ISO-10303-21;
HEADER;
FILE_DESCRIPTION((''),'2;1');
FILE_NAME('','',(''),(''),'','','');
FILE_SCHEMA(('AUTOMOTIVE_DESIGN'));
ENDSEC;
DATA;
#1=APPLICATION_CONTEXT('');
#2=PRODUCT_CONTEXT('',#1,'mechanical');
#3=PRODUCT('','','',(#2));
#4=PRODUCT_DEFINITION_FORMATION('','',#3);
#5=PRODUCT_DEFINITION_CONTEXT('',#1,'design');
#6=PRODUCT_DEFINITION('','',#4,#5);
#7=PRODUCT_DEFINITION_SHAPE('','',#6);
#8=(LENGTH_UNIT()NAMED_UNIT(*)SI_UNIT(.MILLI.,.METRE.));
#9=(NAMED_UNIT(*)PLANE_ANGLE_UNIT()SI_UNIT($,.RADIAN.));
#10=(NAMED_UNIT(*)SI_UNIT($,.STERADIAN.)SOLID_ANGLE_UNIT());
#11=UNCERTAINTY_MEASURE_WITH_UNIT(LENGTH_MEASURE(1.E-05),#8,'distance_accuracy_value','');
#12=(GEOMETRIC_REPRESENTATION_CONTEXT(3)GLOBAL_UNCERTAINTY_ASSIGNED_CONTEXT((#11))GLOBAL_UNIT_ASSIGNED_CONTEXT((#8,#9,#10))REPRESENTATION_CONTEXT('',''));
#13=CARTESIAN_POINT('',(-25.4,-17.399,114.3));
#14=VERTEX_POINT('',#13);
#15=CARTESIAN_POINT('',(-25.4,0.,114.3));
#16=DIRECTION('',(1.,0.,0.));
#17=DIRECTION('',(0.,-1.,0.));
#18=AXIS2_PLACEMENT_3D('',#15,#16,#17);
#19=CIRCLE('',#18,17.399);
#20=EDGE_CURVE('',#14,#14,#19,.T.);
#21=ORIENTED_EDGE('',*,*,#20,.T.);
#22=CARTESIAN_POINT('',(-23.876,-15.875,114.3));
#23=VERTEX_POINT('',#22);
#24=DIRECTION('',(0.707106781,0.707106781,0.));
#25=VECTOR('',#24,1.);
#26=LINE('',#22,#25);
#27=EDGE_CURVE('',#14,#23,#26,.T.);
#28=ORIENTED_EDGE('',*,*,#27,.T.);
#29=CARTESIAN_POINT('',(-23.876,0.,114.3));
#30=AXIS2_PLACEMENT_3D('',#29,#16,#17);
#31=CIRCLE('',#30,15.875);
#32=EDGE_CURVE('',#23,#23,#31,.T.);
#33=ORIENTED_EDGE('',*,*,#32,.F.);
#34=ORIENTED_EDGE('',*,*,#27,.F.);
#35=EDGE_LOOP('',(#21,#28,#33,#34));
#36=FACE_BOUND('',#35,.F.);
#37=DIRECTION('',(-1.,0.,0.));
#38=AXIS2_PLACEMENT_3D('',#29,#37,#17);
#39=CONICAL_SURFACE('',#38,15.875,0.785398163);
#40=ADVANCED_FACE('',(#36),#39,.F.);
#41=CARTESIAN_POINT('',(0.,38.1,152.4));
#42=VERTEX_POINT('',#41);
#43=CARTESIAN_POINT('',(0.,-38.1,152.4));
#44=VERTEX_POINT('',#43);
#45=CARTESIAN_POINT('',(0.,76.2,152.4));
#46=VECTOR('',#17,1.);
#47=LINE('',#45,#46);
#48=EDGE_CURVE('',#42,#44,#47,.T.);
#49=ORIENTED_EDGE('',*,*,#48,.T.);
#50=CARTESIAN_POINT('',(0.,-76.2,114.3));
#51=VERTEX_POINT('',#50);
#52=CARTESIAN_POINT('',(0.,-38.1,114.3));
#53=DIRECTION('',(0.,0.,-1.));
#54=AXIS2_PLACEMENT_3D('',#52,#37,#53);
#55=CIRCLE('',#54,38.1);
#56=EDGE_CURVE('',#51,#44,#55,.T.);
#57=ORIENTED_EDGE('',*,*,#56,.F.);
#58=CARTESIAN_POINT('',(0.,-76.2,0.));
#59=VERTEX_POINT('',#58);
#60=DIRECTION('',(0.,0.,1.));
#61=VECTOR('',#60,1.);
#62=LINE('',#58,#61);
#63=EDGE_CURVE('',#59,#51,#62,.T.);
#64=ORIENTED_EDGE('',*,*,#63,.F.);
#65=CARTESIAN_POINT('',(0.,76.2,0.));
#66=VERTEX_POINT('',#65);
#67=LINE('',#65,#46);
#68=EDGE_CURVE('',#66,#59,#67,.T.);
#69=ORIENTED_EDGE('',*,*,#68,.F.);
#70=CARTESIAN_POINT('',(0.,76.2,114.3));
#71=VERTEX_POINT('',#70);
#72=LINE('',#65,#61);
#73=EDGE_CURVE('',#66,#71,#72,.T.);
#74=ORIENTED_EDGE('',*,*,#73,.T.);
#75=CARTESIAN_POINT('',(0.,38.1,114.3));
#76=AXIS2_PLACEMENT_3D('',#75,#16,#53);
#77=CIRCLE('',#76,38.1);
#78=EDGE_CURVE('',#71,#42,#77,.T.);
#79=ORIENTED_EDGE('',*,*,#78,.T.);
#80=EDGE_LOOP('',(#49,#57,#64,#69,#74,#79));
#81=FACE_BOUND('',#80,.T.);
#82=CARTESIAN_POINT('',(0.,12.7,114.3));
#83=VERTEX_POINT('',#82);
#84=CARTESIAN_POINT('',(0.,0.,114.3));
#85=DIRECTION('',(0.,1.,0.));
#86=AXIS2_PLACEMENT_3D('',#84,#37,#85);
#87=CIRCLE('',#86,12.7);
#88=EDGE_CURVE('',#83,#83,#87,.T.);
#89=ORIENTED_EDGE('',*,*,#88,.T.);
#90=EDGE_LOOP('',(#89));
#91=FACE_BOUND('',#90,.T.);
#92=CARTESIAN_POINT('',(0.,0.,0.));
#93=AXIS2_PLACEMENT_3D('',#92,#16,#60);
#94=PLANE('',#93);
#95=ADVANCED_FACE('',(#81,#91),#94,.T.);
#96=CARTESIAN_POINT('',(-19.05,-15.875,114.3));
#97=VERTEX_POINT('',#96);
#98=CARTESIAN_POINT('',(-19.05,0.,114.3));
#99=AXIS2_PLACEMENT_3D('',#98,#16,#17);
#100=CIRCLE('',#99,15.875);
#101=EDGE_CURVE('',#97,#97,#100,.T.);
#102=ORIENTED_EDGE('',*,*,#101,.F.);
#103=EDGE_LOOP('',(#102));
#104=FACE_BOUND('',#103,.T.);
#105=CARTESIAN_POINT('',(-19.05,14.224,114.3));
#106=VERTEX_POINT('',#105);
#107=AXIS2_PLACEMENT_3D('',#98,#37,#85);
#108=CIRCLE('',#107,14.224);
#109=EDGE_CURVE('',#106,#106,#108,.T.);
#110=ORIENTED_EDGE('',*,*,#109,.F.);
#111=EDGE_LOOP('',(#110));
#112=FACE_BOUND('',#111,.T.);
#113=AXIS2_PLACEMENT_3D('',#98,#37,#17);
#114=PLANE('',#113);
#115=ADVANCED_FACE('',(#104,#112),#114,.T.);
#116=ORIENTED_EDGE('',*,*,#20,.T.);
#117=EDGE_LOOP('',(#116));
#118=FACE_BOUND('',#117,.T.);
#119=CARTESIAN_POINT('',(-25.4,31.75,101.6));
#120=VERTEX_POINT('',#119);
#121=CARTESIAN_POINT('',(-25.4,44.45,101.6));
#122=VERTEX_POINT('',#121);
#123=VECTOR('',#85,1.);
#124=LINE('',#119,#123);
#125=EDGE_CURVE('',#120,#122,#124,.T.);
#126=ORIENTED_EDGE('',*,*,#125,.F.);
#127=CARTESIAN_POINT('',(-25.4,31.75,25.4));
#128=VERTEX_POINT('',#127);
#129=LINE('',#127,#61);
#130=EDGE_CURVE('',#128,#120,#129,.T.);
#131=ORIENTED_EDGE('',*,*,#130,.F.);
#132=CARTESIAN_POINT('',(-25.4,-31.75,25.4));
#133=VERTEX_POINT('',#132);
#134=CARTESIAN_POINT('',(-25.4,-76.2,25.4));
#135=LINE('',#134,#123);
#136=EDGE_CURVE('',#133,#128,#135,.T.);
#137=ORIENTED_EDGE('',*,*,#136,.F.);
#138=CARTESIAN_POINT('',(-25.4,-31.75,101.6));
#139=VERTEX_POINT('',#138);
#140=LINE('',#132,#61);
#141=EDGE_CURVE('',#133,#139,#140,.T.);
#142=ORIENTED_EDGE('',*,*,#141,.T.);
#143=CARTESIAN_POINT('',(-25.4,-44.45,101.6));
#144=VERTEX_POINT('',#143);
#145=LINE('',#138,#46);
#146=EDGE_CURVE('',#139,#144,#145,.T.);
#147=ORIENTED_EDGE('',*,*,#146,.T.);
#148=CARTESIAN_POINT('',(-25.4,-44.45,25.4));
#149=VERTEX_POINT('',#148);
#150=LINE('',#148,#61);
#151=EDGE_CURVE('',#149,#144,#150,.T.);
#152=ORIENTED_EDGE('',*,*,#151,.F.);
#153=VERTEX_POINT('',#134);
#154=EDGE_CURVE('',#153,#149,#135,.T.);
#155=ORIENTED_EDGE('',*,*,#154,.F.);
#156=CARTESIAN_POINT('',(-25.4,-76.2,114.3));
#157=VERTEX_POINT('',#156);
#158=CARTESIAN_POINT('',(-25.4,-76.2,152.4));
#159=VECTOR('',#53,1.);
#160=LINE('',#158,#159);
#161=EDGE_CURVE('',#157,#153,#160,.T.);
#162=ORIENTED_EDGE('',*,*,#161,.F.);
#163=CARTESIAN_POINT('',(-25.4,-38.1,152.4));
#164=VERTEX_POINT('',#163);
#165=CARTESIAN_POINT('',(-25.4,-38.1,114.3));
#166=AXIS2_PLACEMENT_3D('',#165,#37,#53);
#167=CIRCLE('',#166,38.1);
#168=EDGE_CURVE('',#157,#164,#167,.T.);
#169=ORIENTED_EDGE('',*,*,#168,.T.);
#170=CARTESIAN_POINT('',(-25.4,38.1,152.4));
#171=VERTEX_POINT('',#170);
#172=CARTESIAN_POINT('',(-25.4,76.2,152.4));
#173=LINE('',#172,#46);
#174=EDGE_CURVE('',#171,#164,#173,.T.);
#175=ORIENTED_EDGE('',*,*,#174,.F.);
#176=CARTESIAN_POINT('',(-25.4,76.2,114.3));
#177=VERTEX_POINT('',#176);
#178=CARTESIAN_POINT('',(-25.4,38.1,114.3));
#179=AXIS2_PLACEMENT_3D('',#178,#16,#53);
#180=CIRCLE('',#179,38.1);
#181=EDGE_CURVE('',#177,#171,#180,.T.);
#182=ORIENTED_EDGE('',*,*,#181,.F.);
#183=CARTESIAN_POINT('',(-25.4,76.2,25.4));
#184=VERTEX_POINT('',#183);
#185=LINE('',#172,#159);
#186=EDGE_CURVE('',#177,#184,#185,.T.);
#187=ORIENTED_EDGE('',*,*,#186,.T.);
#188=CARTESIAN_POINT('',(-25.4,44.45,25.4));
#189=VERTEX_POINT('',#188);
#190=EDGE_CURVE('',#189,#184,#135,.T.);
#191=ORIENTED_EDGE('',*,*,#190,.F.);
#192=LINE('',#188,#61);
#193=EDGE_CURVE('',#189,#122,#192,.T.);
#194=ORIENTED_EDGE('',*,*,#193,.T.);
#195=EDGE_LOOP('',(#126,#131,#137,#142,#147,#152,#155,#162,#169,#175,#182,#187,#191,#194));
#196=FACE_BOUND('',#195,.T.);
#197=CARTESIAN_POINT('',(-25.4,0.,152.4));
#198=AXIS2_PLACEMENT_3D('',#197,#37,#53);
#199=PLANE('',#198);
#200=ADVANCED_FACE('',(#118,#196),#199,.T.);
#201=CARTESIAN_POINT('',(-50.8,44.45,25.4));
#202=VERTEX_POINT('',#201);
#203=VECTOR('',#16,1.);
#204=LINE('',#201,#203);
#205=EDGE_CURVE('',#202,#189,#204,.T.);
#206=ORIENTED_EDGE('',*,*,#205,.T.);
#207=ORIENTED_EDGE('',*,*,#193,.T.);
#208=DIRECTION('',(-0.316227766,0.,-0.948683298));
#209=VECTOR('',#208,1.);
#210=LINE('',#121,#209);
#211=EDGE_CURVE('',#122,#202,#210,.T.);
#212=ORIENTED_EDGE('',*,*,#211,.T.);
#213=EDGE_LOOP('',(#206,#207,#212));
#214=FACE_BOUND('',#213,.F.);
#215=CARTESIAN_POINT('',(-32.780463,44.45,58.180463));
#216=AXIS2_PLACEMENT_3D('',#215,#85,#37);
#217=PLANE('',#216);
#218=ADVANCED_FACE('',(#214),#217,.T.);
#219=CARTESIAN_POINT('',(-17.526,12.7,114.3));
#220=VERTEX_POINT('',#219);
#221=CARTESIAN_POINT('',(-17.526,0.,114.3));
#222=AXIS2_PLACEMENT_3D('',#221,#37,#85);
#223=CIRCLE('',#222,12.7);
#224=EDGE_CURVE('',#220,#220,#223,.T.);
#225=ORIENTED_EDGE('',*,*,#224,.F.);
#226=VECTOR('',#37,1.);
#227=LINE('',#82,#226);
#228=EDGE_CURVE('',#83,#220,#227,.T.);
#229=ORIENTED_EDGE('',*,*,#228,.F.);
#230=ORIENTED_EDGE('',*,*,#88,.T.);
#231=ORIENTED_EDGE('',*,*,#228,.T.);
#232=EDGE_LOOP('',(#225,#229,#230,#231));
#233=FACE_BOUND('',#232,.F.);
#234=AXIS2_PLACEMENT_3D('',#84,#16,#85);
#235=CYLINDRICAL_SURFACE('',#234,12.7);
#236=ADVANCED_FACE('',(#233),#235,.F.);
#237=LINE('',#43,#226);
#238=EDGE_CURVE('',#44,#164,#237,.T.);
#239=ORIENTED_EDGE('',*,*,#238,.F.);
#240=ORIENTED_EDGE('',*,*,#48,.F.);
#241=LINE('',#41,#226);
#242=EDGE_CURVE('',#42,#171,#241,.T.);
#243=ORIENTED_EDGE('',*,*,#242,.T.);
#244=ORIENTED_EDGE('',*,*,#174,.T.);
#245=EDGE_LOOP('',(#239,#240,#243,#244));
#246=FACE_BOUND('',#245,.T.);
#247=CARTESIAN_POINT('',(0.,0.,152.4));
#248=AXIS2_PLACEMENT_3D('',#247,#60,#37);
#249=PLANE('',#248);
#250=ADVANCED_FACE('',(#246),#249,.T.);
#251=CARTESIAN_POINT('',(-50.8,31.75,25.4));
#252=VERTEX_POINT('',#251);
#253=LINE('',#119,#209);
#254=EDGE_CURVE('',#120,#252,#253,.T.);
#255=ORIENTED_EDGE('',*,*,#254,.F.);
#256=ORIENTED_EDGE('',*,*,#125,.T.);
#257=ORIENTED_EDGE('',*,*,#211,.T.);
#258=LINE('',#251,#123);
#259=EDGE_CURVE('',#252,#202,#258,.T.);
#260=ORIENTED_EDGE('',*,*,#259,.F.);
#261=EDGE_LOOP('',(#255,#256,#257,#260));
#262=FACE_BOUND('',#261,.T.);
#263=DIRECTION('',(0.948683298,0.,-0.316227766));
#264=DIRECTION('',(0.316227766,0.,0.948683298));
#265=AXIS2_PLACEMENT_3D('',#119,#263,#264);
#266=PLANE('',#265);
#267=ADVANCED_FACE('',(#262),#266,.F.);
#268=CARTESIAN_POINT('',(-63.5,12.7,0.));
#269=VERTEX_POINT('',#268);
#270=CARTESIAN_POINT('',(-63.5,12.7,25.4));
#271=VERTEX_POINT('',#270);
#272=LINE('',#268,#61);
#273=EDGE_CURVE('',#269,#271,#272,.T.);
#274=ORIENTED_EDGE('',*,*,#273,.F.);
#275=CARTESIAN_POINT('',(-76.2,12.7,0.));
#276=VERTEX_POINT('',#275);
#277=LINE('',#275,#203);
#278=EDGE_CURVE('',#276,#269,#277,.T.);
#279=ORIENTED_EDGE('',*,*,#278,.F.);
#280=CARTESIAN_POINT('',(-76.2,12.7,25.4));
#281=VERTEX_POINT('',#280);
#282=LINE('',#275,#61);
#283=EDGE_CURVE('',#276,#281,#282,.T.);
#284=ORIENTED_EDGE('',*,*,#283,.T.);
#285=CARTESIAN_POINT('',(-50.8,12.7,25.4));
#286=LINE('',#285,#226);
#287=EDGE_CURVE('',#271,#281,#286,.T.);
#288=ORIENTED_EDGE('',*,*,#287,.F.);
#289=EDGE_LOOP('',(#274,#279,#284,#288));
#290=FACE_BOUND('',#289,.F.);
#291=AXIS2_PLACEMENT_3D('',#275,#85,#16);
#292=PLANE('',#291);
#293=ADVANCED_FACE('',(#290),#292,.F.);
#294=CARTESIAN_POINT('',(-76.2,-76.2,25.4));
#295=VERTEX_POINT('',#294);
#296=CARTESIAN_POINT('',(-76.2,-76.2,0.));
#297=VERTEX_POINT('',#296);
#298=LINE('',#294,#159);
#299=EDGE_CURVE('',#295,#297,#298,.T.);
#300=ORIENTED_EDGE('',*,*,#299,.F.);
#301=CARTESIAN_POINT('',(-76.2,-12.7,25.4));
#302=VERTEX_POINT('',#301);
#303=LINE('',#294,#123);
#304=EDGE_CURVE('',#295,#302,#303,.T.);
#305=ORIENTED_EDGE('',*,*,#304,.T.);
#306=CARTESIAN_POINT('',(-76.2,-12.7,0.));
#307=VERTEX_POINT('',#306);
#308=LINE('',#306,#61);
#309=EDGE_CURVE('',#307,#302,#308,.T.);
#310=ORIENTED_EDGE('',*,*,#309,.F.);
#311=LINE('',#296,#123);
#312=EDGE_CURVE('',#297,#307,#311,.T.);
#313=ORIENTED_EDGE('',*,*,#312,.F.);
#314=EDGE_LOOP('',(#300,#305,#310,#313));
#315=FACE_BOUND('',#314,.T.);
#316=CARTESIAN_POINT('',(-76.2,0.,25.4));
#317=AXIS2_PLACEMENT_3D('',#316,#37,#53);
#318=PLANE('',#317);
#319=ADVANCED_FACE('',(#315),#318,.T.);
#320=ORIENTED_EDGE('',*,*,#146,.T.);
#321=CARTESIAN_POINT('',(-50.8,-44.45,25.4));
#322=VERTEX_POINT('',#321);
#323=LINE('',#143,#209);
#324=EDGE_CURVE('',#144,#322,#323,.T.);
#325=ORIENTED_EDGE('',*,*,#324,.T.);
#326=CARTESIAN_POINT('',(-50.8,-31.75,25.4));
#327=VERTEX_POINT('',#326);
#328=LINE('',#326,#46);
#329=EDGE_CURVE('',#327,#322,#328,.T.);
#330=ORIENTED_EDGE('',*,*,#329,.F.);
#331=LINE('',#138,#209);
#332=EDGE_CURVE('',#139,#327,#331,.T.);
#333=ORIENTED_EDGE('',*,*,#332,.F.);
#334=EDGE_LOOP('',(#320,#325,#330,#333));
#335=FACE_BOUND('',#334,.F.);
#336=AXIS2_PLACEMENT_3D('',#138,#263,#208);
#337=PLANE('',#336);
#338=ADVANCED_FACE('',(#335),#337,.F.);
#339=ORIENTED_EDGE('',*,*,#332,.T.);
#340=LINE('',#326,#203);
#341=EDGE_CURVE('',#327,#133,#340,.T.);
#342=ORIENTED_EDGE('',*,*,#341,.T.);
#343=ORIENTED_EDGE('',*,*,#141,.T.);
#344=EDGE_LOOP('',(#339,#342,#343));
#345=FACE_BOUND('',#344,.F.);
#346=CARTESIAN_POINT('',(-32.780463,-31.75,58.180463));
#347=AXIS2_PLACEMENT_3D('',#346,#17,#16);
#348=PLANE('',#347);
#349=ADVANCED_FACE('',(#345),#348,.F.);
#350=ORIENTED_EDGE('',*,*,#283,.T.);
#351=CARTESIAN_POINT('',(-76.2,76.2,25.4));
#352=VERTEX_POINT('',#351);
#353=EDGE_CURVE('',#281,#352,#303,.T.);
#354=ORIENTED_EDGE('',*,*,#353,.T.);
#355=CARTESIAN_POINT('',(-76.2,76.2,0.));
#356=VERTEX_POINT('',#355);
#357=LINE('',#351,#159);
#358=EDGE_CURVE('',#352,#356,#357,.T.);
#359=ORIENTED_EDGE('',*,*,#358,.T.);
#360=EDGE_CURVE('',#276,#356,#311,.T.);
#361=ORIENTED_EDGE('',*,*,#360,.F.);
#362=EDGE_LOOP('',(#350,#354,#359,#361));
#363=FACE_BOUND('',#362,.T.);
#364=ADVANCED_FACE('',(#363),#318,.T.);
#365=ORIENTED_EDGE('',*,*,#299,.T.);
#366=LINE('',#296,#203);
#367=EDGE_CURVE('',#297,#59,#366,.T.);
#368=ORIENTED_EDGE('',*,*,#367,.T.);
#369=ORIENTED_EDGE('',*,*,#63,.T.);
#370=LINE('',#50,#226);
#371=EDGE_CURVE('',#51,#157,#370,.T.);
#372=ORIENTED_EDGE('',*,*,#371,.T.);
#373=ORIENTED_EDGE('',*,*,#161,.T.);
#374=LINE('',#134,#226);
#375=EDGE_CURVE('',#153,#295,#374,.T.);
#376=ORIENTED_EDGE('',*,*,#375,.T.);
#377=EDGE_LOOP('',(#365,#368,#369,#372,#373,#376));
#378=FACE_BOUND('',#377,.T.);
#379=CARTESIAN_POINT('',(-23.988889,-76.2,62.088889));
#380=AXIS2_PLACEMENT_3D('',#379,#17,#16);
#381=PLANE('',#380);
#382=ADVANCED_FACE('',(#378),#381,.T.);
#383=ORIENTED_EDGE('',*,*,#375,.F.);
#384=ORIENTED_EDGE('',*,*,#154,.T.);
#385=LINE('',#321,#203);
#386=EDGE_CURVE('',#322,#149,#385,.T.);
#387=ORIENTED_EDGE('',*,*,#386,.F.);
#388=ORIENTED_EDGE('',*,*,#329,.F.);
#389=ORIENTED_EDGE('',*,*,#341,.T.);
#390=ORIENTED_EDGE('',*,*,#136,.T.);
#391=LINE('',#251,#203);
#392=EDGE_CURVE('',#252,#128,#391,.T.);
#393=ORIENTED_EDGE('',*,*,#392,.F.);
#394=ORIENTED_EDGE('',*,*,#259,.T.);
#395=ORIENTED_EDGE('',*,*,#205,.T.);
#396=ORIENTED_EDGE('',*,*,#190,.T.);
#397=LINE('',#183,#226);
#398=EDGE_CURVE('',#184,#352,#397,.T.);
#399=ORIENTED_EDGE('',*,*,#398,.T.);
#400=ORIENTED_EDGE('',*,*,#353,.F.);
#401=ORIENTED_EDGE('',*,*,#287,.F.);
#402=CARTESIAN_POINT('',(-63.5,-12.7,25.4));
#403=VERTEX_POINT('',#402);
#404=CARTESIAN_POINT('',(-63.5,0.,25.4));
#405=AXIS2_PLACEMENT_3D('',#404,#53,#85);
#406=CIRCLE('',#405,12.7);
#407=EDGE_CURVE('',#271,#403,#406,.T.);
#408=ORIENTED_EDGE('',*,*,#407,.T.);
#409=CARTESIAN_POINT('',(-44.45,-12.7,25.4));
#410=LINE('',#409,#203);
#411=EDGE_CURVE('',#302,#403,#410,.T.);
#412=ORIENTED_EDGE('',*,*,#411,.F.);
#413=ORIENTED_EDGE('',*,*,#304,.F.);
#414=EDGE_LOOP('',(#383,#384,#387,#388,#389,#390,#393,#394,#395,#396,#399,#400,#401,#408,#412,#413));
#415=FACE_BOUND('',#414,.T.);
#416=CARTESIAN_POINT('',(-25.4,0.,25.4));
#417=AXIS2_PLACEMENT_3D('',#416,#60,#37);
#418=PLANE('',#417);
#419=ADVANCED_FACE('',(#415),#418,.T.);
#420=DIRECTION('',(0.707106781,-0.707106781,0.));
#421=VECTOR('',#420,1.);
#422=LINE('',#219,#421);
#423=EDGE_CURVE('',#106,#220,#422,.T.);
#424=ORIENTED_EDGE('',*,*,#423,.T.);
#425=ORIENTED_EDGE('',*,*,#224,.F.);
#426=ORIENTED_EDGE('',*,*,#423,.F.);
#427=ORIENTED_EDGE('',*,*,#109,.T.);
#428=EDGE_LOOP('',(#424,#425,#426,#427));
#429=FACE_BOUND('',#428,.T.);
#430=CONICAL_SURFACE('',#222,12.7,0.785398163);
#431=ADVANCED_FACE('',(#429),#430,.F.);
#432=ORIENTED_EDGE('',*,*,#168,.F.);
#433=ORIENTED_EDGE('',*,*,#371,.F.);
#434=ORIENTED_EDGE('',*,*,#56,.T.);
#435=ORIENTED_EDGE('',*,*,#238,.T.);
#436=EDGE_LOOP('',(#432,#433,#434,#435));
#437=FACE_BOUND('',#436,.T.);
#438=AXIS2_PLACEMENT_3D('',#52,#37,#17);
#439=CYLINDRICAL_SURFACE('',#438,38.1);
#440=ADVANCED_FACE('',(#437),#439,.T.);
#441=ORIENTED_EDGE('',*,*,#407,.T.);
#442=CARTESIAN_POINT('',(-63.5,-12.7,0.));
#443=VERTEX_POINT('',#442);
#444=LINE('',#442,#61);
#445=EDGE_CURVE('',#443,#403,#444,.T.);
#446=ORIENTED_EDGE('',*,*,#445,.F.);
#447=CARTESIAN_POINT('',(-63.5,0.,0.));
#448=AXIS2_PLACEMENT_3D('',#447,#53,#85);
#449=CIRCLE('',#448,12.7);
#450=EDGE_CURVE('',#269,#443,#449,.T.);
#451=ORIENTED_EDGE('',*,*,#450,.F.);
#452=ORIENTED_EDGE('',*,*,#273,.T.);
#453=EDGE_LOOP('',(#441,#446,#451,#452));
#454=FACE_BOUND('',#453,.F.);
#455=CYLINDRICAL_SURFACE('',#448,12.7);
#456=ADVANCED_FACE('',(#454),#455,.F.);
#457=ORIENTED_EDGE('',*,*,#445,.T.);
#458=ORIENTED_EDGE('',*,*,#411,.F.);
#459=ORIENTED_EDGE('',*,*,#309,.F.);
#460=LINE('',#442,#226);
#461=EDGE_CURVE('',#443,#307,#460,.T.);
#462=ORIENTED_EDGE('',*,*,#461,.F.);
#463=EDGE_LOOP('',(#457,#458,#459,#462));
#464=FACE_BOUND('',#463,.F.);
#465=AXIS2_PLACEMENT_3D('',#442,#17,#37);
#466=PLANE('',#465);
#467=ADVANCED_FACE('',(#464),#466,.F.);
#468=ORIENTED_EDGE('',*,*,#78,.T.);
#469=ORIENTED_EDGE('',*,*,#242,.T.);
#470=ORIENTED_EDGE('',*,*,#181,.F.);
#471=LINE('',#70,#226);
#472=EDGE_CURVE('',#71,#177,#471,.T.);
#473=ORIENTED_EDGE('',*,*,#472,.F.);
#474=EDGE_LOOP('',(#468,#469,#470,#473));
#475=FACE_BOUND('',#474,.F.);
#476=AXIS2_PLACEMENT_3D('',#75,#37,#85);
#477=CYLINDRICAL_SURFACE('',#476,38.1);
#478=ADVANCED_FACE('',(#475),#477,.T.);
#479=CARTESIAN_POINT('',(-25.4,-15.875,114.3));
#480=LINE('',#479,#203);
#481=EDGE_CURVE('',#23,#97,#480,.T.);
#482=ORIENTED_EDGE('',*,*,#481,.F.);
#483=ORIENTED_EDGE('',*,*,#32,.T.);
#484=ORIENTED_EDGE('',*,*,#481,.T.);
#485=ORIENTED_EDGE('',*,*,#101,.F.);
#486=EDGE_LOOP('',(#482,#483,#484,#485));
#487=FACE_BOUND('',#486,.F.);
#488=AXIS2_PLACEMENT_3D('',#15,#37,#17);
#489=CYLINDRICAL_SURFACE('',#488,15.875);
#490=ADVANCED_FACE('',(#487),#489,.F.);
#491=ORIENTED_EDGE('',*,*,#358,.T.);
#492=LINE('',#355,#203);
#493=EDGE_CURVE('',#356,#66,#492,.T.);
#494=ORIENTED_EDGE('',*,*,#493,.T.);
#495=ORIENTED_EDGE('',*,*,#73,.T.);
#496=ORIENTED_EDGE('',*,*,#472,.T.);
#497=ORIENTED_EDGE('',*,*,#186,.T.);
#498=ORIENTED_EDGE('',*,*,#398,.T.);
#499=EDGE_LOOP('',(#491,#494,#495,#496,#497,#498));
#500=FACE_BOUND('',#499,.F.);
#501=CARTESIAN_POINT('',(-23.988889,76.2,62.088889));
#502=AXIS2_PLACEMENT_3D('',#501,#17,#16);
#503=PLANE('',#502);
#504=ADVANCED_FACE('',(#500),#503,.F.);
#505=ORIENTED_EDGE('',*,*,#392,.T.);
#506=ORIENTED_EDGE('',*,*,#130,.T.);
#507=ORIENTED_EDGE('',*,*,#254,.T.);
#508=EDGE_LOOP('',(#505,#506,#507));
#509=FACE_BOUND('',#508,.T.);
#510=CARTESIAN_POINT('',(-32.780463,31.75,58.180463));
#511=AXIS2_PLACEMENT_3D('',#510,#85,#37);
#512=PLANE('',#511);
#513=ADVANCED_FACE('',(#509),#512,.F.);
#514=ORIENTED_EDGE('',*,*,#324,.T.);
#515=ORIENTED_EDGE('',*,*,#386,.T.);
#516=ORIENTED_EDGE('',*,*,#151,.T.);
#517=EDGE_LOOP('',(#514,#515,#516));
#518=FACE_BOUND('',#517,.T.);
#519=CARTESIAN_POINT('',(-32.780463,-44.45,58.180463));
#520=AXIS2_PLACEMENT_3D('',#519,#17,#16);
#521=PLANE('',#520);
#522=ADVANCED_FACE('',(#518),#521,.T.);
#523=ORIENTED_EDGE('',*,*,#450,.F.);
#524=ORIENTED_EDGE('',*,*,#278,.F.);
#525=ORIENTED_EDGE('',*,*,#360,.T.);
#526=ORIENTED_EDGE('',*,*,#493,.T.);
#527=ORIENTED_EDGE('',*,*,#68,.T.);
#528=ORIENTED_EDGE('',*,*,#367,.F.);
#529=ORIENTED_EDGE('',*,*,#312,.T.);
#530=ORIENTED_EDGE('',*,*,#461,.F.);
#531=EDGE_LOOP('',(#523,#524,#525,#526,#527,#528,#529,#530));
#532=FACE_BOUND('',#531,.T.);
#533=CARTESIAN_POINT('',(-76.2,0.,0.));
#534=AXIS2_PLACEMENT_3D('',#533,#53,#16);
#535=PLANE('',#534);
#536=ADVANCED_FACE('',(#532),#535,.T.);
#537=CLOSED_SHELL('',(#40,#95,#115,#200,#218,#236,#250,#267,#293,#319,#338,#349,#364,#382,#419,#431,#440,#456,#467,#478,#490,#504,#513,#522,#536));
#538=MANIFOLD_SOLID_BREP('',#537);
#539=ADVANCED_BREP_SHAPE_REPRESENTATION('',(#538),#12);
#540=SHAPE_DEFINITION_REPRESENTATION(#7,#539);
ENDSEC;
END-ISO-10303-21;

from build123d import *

# Parameters (mm, degrees)
F1_DEPTH  = 76.2
F2_R      = 12.7
F3_DEPTH  = 76.201
F5_DEPTH  = 152.401
F6_R      = 38.1
F7_R      = 15.875
F8_DEPTH  = 6.35
F11_DEPTH = 12.7
F13_SIZE  = 1.524


with BuildPart() as f1:
    # F0 (on Front) → F1 (new body, symmetric)
    with BuildSketch(Plane.XZ):
        Polygon((-76.2, 0), (0, 0), (0, 152.4), (-25.4, 152.4), (-25.4, 25.4), (-76.2, 25.4), align=None)
    extrude(amount=F1_DEPTH, both=True)

    # F2 (on face) → F3 (cut, through all)
    with BuildSketch(Plane.YZ):
        with Locations((0, 114.3)):
            Circle(F2_R)
    extrude(amount=-F3_DEPTH, mode=Mode.SUBTRACT)

    # F4 (on face) → F5 (cut, through all)
    with BuildSketch(Plane(origin=(0, 0, 0), x_dir=(1, 0, 0), z_dir=(0, 0, -1))):
        with BuildLine():
            Line((-76.2, 12.7), (-76.2, -12.7))
            Line((-76.2, -12.7), (-63.5, -12.7))
            ThreePointArc((-63.5, -12.7), (-50.8, 0), (-63.5, 12.7))
            Line((-63.5, 12.7), (-76.2, 12.7))
        make_face()
    extrude(amount=-F5_DEPTH, mode=Mode.SUBTRACT)

    # F6
    f6_edges = [f1.edges().sort_by_distance(p)[0] for p in [
        (-12.7, 76.2, 152.4),
        (-12.7, -76.2, 152.4),
    ]]
    fillet(f6_edges, radius=F6_R)

    # F7 (on face) → F8 (cut)
    with BuildSketch(Plane(origin=(-25.4, 0, 0), x_dir=(0, -1, 0), z_dir=(-1, 0, 0))):
        with Locations((0, 114.3)):
            Circle(F7_R)
    extrude(amount=-F8_DEPTH, mode=Mode.SUBTRACT)

    # F10 (on offset) → F11 (join)
    with BuildSketch(Plane.XZ.offset(31.75)):
        Polygon((-25.4, 101.6), (-50.8, 25.4), (-25.4, 25.4), align=None)
    extrude(amount=F11_DEPTH)

    # F12: F1 across plane


with BuildPart() as f1_1:
    add(f1.part)
    add(f1.part.mirror(Plane.XZ))

    # F13
    f13_edges = [f1_1.edges().sort_by_distance(p)[0] for p in [
        (-25.4, 15.875, 114.3),
        (-19.05, -12.7, 114.3),
    ]]
    chamfer(f13_edges, length=F13_SIZE)


solid = f1_1.part
